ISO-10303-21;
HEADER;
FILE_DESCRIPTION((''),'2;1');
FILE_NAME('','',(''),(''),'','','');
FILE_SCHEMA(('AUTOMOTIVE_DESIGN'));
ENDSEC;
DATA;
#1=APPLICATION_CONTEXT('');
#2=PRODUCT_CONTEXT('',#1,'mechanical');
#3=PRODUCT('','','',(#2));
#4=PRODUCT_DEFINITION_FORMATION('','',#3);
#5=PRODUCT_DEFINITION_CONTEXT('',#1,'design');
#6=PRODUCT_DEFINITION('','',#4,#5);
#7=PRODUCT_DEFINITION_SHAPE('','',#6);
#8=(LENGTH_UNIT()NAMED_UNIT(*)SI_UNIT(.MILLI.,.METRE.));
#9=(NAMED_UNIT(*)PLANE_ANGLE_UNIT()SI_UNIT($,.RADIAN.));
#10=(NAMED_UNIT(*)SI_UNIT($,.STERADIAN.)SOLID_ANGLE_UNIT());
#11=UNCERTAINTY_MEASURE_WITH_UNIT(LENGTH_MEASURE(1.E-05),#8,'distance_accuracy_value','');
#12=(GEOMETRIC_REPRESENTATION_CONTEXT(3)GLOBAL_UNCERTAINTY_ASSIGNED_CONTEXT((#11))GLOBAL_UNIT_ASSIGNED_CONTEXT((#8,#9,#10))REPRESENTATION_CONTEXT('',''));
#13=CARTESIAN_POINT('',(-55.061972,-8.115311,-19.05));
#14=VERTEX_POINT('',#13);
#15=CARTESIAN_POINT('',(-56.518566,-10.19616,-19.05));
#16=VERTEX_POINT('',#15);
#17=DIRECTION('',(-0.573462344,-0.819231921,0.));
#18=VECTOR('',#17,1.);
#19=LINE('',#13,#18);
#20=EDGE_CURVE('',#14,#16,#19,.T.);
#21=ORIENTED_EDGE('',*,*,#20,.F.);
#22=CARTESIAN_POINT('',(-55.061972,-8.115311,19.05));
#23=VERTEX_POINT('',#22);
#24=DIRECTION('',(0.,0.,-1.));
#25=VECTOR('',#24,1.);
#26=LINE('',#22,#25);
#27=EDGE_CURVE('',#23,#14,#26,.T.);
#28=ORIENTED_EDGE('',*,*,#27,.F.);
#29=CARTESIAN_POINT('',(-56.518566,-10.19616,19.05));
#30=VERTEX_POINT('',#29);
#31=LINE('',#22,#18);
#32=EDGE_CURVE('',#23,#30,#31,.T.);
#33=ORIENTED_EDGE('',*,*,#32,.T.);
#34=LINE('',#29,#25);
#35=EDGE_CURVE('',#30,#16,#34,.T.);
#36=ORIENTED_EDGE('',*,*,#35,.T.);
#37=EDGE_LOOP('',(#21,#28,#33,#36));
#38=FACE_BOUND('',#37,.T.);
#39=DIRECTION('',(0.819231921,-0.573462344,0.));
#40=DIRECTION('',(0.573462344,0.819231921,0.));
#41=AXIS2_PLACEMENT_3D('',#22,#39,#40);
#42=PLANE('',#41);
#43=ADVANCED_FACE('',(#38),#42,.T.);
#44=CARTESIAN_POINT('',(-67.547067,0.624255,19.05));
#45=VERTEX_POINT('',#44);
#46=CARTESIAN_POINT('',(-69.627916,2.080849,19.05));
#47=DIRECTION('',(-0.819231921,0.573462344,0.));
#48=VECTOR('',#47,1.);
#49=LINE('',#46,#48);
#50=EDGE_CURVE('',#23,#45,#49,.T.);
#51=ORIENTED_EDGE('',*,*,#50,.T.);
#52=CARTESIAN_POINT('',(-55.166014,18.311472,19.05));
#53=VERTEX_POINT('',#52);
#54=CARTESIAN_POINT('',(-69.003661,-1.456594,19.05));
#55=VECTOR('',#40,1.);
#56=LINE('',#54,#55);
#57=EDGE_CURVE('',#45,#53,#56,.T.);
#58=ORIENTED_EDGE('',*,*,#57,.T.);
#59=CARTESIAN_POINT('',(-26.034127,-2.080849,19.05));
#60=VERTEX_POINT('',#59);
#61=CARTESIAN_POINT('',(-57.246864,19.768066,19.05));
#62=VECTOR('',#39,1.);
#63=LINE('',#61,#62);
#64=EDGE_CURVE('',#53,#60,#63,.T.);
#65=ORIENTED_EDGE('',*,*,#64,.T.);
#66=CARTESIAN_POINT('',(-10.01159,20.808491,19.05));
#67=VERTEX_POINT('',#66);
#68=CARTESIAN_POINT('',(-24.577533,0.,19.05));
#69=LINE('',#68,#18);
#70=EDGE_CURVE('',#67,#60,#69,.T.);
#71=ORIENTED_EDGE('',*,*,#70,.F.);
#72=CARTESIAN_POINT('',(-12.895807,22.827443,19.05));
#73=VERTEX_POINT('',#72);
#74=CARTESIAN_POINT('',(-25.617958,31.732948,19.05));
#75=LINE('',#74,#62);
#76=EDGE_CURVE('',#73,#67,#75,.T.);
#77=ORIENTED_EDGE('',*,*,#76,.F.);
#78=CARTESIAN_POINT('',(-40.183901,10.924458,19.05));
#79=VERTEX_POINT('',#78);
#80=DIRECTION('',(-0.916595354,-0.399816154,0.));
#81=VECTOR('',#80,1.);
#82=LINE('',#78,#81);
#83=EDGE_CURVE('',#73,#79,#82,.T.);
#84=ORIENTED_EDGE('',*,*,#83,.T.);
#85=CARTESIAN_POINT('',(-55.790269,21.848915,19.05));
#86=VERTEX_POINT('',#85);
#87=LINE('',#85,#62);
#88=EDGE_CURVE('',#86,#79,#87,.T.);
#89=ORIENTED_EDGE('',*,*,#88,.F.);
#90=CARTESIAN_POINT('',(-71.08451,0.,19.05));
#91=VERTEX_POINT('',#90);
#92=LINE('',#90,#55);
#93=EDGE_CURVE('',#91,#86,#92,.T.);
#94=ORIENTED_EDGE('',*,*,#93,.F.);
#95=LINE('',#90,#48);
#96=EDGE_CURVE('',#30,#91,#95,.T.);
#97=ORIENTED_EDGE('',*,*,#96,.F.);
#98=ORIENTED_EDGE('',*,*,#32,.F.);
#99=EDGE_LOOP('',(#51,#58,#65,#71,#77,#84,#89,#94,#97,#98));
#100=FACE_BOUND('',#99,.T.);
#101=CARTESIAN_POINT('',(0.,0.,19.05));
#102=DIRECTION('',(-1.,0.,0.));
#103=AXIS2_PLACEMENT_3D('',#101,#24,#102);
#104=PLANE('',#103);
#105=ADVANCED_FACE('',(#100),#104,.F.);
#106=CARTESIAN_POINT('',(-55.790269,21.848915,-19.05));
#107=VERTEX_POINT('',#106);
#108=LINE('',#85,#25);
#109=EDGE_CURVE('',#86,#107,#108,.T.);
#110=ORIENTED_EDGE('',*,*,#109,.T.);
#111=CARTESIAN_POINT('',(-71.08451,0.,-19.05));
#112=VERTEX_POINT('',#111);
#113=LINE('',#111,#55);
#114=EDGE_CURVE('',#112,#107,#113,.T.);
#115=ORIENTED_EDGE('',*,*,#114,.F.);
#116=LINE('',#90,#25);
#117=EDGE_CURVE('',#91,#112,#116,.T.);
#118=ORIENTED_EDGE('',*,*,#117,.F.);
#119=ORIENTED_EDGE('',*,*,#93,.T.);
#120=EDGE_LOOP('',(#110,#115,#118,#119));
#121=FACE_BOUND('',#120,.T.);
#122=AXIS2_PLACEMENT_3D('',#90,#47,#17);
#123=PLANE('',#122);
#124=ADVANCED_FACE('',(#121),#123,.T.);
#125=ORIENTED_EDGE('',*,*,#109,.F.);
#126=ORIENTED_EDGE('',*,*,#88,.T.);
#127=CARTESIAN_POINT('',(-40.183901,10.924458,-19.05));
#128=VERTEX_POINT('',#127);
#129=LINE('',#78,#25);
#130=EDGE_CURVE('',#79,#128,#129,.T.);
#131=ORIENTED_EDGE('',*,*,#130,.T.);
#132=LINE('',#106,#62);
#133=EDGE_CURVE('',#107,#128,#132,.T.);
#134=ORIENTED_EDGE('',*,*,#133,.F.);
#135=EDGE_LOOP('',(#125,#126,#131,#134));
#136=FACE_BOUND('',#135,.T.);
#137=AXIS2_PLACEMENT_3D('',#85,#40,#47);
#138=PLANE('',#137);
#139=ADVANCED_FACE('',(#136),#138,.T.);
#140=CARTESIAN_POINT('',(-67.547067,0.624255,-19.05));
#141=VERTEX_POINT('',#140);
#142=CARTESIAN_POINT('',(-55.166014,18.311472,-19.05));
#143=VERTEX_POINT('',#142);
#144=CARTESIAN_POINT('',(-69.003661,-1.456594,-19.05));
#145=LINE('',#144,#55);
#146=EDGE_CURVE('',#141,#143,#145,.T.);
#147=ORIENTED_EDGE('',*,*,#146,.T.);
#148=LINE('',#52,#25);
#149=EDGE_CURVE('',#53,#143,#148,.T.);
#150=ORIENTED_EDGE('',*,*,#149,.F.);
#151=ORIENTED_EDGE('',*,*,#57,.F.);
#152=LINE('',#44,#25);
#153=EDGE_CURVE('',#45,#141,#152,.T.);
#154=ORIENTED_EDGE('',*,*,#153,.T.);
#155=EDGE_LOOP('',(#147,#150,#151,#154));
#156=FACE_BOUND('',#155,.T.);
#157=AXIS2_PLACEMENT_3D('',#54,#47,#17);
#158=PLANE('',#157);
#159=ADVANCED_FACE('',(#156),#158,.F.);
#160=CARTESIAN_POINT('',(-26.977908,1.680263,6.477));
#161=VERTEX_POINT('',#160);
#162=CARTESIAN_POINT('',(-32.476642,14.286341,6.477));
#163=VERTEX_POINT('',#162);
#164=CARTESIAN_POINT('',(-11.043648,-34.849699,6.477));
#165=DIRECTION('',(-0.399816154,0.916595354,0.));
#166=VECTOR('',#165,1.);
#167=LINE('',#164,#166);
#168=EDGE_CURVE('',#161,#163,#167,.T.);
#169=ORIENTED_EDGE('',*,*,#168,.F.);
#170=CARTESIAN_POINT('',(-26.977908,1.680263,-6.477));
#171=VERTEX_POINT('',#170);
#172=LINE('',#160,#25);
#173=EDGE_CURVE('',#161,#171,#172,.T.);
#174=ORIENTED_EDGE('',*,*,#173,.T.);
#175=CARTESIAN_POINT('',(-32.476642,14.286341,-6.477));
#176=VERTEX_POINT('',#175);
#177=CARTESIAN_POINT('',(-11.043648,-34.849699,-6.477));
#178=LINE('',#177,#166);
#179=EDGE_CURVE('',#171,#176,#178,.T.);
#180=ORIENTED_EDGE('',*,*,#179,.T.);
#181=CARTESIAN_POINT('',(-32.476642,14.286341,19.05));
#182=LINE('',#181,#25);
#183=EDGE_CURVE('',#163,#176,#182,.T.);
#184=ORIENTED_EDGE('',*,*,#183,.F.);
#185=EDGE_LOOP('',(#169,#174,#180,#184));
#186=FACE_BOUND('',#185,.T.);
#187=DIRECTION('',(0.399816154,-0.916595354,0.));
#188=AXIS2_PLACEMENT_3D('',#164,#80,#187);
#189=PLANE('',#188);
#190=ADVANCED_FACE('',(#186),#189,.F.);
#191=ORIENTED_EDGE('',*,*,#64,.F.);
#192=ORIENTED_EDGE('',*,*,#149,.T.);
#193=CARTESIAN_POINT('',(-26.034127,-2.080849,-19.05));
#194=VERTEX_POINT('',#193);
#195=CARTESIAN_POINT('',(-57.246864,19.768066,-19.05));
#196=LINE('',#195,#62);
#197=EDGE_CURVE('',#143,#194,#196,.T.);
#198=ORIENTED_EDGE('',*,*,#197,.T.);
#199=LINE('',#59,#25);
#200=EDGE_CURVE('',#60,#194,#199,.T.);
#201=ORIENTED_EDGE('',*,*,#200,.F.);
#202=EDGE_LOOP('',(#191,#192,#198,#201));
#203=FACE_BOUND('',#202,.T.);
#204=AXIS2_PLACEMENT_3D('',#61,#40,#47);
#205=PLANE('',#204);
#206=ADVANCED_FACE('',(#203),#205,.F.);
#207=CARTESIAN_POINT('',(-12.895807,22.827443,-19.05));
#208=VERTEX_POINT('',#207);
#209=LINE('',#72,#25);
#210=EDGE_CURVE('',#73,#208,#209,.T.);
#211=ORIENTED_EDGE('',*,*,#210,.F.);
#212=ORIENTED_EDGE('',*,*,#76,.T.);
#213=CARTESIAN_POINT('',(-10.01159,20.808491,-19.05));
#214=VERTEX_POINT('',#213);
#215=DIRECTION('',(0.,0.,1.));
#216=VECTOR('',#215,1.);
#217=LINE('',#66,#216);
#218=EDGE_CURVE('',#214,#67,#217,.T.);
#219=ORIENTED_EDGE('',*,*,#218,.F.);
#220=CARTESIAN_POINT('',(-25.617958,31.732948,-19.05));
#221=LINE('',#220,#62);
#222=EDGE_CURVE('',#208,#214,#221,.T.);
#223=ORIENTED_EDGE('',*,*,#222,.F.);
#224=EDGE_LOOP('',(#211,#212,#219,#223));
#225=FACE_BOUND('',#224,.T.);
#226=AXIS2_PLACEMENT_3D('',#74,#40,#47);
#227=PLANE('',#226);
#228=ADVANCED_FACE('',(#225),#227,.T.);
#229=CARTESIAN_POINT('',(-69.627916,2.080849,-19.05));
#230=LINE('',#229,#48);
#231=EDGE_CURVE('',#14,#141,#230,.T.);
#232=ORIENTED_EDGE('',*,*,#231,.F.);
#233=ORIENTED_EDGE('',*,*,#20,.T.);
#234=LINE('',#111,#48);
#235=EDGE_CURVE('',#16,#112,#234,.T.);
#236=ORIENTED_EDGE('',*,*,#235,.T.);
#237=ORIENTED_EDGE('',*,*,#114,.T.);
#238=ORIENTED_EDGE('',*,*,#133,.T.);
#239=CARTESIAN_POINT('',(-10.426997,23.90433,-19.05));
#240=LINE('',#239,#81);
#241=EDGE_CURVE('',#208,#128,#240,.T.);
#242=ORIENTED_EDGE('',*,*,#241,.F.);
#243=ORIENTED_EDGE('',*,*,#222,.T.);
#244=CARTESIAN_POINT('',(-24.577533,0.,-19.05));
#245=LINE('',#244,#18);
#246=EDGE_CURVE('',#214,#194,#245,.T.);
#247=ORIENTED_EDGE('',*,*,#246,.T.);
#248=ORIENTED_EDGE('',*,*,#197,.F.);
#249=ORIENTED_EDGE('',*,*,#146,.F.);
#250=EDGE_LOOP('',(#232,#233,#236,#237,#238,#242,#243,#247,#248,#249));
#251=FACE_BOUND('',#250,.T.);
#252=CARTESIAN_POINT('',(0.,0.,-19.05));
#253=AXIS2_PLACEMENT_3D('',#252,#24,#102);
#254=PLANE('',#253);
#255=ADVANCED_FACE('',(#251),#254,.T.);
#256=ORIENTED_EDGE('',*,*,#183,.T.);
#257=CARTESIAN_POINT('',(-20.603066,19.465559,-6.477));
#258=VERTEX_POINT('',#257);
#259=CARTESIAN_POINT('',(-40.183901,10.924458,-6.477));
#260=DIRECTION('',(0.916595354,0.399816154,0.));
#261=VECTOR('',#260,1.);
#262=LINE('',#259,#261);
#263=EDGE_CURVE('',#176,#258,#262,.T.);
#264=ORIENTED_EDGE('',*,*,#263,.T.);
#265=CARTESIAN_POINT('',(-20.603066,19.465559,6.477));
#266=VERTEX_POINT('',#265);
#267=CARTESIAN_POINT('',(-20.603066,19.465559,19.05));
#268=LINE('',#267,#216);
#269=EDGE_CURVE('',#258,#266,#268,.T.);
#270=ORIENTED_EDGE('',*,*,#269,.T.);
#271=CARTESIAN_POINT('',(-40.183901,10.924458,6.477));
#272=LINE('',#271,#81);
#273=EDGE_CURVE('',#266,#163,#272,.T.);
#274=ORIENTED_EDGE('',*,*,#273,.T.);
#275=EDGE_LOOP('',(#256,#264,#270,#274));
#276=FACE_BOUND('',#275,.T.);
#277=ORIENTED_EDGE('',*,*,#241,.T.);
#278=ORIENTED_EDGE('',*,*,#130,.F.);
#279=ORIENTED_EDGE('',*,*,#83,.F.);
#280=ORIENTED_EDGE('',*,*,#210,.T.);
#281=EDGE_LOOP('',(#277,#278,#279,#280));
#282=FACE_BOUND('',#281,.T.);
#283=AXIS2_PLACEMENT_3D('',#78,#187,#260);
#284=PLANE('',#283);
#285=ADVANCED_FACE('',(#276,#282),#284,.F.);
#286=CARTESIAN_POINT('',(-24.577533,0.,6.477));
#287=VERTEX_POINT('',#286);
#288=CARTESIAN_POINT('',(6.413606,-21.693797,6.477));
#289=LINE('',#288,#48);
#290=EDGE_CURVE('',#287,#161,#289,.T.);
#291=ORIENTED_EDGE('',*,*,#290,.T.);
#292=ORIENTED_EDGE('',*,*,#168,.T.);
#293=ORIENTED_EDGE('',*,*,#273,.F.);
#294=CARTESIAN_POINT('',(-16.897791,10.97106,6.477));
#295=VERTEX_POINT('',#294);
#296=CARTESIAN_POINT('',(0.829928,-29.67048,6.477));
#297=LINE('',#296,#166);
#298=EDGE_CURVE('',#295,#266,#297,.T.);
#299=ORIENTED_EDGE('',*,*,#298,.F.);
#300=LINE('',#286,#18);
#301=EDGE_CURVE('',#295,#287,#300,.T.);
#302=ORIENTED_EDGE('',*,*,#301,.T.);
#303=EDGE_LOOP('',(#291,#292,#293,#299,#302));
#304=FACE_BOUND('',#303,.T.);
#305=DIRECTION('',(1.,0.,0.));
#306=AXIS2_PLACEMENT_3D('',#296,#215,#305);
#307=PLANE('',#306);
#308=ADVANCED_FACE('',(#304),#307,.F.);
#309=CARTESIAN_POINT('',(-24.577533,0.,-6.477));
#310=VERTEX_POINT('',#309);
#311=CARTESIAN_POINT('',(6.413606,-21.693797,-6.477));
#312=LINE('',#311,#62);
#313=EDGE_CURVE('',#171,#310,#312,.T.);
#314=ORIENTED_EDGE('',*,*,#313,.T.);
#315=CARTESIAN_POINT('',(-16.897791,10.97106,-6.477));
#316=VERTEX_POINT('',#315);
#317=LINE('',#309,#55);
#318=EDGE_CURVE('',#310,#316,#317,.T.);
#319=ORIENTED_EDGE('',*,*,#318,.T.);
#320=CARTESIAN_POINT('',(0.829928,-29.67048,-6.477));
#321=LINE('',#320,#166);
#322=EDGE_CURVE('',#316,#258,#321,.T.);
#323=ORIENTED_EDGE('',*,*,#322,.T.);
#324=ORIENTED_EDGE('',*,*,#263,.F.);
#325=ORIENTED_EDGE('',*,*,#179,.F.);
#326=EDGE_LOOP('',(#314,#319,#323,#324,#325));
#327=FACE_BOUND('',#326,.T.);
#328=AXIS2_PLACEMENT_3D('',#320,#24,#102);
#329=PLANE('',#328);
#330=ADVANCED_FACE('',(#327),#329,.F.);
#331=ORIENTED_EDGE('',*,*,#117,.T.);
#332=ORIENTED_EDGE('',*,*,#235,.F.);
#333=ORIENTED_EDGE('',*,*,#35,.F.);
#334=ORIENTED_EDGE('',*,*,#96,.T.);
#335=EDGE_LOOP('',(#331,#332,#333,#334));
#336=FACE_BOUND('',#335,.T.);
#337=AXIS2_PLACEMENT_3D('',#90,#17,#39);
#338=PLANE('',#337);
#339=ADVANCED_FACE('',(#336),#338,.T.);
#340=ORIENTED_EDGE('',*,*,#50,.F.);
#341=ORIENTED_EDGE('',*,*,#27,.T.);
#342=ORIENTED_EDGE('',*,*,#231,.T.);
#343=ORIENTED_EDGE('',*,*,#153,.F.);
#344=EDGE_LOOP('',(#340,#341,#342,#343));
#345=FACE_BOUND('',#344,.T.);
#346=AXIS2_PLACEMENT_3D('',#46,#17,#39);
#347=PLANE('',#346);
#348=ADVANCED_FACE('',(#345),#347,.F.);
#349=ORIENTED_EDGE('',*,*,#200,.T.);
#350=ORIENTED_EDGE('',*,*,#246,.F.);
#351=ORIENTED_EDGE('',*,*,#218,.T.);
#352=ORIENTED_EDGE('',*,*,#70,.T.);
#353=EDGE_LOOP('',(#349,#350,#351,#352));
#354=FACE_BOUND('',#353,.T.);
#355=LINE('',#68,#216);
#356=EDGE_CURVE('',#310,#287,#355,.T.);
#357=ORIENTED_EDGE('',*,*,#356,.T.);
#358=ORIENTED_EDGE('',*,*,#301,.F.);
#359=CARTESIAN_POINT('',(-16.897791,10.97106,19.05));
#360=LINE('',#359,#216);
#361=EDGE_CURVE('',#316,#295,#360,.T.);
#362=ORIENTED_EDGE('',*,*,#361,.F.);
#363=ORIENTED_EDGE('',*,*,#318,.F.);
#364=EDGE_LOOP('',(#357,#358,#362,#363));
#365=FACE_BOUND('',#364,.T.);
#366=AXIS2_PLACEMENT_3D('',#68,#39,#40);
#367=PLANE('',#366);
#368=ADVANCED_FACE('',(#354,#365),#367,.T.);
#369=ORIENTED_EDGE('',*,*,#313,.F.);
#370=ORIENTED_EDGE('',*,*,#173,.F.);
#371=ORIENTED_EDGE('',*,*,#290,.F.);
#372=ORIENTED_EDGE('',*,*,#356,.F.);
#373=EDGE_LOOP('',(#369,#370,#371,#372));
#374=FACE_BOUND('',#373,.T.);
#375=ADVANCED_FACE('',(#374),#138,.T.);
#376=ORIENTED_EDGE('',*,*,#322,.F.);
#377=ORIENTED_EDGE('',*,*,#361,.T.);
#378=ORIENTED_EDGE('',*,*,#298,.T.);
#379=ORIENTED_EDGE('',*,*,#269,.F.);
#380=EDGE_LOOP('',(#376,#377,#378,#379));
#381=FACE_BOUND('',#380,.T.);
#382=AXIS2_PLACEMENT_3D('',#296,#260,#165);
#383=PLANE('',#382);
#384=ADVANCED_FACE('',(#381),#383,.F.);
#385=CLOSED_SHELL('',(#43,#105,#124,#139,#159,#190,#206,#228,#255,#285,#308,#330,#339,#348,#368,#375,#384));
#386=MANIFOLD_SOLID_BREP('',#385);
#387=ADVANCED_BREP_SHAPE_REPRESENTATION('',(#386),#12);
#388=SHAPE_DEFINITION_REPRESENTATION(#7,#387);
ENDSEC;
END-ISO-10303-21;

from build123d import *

# Parameters (mm, degrees)
EXTRUDE_THIN1_DEPTH              = 19.05
SKETCH8_W                        = 25.4
SKETCH8_H                        = 38.1
BOSS_EXTRUDE1_DEPTH              = 19.05
CUT_EXTRUDE3_DEPTH               = 87.66947312
CUT_EXTRUDE3_DEPTH_BACK          = 87.66947312
CUT_EXTRUDE4_REACH               = 76.686
CUT_EXTRUDE4_OFFSET_FROM_SURFACE = 2.54
SKETCH13_W                       = 12.954
SKETCH13_H                       = 12.954
CUT_EXTRUDE4_DIRECTION_2_DEPTH   = 73.146238944


with BuildPart() as part:
    # Sketch1 → Extrude-Thin1 (new, symmetric)
    with BuildSketch(Plane.XY):
        Polygon((-56.518566399, -10.196160483), (-71.084509945, 0), (-55.790269221, 21.84891532), (-24.57753305, 0), (-26.034127404, -2.080849078), (-55.166014498, 18.311471887), (-67.547066513, 0.624254723), (-55.061972044, -8.115311405), align=None)
    extrude(amount=EXTRUDE_THIN1_DEPTH, both=True)

    # Sketch8 → Boss-Extrude1 (add)
    with BuildSketch(Plane(origin=(-16.494988624, 11.546492037, 0), x_dir=(0.5734623443633238, 0.8192319205190437, 0), z_dir=(0.8192319205190437, -0.5734623443633238, 0))):
        with Locations((-1.394289721, 0)):
            Rectangle(SKETCH8_W, SKETCH8_H)
    extrude(amount=-BOSS_EXTRUDE1_DEPTH)

    # Sketch12 → Cut-Extrude3 (cut, two sides: drawn at the far end of the back side and taken through both)
    with BuildSketch(Plane(origin=(0, 0, -19.05), x_dir=(-1, 0, 0), z_dir=(0, 0, -1)).offset(-CUT_EXTRUDE3_DEPTH_BACK)):
        Polygon((40.183901135, 10.92445766), (12.895806765, 22.827442865), (25.617957589, 31.732948441), align=None)
    extrude(amount=CUT_EXTRUDE3_DEPTH + CUT_EXTRUDE3_DEPTH_BACK, mode=Mode.SUBTRACT)

    # Cut-Extrude4: up to this face of the body (flat: up to its plane, moved by the offset)
    cut_extrude4_end = Plane(part.part.faces().sort_by_distance((-40.600070951, 8.115311405, 0))[0]).offset(-CUT_EXTRUDE4_OFFSET_FROM_SURFACE)
    # Sketch13 → Cut-Extrude4 (cut, up to the picked face)
    with BuildSketch(Plane(origin=(-10.426997364, 23.904330147, 0), x_dir=(0.9165953540643084, 0.3998161538854141, 0), z_dir=(-0.3998161538854141, 0.9165953540643084, 0)), mode=Mode.PRIVATE) as cut_extrude4_sk1:
        with Locations((-17.579029301, 0)):
            Rectangle(SKETCH13_W, SKETCH13_H)
    cut_extrude4_tool1 = split(extrude(cut_extrude4_sk1.sketch, amount=-CUT_EXTRUDE4_REACH, mode=Mode.PRIVATE), bisect_by=cut_extrude4_end, keep=Keep.BOTH, mode=Mode.PRIVATE)
    add(cut_extrude4_tool1.solids().sort_by(Axis((-26.539854, 16.87595, 0), (0.3998161538854141, -0.9165953540643084, 0)))[0], mode=Mode.SUBTRACT)

    # Sketch13 → Cut-Extrude4 direction 2 (cut)
    with BuildSketch(Plane(origin=(-10.426997364, 23.904330147, 0), x_dir=(0.9165953540643084, 0.3998161538854141, 0), z_dir=(-0.3998161538854141, 0.9165953540643084, 0))):
        with Locations((-17.579029301, 0)):
            Rectangle(SKETCH13_W, SKETCH13_H)
    extrude(amount=CUT_EXTRUDE4_DIRECTION_2_DEPTH, mode=Mode.SUBTRACT)


solid = part.part
